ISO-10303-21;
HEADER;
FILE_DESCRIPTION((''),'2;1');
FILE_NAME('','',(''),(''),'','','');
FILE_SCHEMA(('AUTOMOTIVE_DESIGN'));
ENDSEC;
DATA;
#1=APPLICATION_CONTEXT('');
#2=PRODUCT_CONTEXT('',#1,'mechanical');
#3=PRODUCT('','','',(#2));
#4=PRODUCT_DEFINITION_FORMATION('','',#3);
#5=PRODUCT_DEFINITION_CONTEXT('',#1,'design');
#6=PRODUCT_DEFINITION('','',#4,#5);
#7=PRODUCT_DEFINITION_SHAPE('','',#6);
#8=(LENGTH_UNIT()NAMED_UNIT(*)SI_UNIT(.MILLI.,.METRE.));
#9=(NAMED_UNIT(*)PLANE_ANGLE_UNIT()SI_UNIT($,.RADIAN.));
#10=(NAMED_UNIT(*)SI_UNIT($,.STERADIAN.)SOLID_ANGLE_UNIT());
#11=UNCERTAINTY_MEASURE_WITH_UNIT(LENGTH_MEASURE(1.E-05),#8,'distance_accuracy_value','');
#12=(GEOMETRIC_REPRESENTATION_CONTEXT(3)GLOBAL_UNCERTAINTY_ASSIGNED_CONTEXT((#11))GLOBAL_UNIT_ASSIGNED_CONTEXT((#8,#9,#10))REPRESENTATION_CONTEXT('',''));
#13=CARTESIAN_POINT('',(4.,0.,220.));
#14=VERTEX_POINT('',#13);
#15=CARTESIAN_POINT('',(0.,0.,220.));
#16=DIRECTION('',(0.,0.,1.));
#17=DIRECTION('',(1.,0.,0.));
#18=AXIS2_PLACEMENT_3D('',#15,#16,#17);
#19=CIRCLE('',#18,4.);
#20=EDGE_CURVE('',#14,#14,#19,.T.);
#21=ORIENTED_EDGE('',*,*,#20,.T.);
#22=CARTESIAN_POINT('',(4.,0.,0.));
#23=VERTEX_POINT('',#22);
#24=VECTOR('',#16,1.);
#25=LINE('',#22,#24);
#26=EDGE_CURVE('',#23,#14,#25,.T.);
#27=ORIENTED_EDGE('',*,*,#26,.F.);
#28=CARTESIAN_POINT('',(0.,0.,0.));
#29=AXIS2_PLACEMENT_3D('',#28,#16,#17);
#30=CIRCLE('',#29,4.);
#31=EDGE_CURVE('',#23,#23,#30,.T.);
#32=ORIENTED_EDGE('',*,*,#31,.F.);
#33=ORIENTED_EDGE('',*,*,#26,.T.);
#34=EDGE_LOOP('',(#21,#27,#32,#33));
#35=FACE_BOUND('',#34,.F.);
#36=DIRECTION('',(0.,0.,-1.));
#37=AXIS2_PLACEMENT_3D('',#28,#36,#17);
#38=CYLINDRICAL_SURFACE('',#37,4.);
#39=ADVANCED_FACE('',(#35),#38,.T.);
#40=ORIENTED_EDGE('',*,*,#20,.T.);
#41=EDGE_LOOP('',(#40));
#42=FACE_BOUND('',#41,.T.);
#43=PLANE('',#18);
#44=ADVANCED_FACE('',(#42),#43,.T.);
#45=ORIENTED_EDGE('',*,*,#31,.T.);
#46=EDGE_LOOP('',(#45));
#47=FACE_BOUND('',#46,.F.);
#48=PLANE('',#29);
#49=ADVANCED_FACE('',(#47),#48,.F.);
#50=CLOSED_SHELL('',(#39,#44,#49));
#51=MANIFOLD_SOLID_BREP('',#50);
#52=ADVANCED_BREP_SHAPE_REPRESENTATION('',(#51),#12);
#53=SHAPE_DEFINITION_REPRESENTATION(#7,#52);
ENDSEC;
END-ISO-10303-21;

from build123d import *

# Parameters (mm, degrees)
ESBO_O1_R                = 4
RESSALTO_EXTRUS_O1_DEPTH = 220


with BuildPart() as part:
    # Esboço1 → Ressalto-extrusão1 (new body)
    with BuildSketch(Plane.XY):
        Circle(ESBO_O1_R)
    extrude(amount=RESSALTO_EXTRUS_O1_DEPTH)


solid = part.part
